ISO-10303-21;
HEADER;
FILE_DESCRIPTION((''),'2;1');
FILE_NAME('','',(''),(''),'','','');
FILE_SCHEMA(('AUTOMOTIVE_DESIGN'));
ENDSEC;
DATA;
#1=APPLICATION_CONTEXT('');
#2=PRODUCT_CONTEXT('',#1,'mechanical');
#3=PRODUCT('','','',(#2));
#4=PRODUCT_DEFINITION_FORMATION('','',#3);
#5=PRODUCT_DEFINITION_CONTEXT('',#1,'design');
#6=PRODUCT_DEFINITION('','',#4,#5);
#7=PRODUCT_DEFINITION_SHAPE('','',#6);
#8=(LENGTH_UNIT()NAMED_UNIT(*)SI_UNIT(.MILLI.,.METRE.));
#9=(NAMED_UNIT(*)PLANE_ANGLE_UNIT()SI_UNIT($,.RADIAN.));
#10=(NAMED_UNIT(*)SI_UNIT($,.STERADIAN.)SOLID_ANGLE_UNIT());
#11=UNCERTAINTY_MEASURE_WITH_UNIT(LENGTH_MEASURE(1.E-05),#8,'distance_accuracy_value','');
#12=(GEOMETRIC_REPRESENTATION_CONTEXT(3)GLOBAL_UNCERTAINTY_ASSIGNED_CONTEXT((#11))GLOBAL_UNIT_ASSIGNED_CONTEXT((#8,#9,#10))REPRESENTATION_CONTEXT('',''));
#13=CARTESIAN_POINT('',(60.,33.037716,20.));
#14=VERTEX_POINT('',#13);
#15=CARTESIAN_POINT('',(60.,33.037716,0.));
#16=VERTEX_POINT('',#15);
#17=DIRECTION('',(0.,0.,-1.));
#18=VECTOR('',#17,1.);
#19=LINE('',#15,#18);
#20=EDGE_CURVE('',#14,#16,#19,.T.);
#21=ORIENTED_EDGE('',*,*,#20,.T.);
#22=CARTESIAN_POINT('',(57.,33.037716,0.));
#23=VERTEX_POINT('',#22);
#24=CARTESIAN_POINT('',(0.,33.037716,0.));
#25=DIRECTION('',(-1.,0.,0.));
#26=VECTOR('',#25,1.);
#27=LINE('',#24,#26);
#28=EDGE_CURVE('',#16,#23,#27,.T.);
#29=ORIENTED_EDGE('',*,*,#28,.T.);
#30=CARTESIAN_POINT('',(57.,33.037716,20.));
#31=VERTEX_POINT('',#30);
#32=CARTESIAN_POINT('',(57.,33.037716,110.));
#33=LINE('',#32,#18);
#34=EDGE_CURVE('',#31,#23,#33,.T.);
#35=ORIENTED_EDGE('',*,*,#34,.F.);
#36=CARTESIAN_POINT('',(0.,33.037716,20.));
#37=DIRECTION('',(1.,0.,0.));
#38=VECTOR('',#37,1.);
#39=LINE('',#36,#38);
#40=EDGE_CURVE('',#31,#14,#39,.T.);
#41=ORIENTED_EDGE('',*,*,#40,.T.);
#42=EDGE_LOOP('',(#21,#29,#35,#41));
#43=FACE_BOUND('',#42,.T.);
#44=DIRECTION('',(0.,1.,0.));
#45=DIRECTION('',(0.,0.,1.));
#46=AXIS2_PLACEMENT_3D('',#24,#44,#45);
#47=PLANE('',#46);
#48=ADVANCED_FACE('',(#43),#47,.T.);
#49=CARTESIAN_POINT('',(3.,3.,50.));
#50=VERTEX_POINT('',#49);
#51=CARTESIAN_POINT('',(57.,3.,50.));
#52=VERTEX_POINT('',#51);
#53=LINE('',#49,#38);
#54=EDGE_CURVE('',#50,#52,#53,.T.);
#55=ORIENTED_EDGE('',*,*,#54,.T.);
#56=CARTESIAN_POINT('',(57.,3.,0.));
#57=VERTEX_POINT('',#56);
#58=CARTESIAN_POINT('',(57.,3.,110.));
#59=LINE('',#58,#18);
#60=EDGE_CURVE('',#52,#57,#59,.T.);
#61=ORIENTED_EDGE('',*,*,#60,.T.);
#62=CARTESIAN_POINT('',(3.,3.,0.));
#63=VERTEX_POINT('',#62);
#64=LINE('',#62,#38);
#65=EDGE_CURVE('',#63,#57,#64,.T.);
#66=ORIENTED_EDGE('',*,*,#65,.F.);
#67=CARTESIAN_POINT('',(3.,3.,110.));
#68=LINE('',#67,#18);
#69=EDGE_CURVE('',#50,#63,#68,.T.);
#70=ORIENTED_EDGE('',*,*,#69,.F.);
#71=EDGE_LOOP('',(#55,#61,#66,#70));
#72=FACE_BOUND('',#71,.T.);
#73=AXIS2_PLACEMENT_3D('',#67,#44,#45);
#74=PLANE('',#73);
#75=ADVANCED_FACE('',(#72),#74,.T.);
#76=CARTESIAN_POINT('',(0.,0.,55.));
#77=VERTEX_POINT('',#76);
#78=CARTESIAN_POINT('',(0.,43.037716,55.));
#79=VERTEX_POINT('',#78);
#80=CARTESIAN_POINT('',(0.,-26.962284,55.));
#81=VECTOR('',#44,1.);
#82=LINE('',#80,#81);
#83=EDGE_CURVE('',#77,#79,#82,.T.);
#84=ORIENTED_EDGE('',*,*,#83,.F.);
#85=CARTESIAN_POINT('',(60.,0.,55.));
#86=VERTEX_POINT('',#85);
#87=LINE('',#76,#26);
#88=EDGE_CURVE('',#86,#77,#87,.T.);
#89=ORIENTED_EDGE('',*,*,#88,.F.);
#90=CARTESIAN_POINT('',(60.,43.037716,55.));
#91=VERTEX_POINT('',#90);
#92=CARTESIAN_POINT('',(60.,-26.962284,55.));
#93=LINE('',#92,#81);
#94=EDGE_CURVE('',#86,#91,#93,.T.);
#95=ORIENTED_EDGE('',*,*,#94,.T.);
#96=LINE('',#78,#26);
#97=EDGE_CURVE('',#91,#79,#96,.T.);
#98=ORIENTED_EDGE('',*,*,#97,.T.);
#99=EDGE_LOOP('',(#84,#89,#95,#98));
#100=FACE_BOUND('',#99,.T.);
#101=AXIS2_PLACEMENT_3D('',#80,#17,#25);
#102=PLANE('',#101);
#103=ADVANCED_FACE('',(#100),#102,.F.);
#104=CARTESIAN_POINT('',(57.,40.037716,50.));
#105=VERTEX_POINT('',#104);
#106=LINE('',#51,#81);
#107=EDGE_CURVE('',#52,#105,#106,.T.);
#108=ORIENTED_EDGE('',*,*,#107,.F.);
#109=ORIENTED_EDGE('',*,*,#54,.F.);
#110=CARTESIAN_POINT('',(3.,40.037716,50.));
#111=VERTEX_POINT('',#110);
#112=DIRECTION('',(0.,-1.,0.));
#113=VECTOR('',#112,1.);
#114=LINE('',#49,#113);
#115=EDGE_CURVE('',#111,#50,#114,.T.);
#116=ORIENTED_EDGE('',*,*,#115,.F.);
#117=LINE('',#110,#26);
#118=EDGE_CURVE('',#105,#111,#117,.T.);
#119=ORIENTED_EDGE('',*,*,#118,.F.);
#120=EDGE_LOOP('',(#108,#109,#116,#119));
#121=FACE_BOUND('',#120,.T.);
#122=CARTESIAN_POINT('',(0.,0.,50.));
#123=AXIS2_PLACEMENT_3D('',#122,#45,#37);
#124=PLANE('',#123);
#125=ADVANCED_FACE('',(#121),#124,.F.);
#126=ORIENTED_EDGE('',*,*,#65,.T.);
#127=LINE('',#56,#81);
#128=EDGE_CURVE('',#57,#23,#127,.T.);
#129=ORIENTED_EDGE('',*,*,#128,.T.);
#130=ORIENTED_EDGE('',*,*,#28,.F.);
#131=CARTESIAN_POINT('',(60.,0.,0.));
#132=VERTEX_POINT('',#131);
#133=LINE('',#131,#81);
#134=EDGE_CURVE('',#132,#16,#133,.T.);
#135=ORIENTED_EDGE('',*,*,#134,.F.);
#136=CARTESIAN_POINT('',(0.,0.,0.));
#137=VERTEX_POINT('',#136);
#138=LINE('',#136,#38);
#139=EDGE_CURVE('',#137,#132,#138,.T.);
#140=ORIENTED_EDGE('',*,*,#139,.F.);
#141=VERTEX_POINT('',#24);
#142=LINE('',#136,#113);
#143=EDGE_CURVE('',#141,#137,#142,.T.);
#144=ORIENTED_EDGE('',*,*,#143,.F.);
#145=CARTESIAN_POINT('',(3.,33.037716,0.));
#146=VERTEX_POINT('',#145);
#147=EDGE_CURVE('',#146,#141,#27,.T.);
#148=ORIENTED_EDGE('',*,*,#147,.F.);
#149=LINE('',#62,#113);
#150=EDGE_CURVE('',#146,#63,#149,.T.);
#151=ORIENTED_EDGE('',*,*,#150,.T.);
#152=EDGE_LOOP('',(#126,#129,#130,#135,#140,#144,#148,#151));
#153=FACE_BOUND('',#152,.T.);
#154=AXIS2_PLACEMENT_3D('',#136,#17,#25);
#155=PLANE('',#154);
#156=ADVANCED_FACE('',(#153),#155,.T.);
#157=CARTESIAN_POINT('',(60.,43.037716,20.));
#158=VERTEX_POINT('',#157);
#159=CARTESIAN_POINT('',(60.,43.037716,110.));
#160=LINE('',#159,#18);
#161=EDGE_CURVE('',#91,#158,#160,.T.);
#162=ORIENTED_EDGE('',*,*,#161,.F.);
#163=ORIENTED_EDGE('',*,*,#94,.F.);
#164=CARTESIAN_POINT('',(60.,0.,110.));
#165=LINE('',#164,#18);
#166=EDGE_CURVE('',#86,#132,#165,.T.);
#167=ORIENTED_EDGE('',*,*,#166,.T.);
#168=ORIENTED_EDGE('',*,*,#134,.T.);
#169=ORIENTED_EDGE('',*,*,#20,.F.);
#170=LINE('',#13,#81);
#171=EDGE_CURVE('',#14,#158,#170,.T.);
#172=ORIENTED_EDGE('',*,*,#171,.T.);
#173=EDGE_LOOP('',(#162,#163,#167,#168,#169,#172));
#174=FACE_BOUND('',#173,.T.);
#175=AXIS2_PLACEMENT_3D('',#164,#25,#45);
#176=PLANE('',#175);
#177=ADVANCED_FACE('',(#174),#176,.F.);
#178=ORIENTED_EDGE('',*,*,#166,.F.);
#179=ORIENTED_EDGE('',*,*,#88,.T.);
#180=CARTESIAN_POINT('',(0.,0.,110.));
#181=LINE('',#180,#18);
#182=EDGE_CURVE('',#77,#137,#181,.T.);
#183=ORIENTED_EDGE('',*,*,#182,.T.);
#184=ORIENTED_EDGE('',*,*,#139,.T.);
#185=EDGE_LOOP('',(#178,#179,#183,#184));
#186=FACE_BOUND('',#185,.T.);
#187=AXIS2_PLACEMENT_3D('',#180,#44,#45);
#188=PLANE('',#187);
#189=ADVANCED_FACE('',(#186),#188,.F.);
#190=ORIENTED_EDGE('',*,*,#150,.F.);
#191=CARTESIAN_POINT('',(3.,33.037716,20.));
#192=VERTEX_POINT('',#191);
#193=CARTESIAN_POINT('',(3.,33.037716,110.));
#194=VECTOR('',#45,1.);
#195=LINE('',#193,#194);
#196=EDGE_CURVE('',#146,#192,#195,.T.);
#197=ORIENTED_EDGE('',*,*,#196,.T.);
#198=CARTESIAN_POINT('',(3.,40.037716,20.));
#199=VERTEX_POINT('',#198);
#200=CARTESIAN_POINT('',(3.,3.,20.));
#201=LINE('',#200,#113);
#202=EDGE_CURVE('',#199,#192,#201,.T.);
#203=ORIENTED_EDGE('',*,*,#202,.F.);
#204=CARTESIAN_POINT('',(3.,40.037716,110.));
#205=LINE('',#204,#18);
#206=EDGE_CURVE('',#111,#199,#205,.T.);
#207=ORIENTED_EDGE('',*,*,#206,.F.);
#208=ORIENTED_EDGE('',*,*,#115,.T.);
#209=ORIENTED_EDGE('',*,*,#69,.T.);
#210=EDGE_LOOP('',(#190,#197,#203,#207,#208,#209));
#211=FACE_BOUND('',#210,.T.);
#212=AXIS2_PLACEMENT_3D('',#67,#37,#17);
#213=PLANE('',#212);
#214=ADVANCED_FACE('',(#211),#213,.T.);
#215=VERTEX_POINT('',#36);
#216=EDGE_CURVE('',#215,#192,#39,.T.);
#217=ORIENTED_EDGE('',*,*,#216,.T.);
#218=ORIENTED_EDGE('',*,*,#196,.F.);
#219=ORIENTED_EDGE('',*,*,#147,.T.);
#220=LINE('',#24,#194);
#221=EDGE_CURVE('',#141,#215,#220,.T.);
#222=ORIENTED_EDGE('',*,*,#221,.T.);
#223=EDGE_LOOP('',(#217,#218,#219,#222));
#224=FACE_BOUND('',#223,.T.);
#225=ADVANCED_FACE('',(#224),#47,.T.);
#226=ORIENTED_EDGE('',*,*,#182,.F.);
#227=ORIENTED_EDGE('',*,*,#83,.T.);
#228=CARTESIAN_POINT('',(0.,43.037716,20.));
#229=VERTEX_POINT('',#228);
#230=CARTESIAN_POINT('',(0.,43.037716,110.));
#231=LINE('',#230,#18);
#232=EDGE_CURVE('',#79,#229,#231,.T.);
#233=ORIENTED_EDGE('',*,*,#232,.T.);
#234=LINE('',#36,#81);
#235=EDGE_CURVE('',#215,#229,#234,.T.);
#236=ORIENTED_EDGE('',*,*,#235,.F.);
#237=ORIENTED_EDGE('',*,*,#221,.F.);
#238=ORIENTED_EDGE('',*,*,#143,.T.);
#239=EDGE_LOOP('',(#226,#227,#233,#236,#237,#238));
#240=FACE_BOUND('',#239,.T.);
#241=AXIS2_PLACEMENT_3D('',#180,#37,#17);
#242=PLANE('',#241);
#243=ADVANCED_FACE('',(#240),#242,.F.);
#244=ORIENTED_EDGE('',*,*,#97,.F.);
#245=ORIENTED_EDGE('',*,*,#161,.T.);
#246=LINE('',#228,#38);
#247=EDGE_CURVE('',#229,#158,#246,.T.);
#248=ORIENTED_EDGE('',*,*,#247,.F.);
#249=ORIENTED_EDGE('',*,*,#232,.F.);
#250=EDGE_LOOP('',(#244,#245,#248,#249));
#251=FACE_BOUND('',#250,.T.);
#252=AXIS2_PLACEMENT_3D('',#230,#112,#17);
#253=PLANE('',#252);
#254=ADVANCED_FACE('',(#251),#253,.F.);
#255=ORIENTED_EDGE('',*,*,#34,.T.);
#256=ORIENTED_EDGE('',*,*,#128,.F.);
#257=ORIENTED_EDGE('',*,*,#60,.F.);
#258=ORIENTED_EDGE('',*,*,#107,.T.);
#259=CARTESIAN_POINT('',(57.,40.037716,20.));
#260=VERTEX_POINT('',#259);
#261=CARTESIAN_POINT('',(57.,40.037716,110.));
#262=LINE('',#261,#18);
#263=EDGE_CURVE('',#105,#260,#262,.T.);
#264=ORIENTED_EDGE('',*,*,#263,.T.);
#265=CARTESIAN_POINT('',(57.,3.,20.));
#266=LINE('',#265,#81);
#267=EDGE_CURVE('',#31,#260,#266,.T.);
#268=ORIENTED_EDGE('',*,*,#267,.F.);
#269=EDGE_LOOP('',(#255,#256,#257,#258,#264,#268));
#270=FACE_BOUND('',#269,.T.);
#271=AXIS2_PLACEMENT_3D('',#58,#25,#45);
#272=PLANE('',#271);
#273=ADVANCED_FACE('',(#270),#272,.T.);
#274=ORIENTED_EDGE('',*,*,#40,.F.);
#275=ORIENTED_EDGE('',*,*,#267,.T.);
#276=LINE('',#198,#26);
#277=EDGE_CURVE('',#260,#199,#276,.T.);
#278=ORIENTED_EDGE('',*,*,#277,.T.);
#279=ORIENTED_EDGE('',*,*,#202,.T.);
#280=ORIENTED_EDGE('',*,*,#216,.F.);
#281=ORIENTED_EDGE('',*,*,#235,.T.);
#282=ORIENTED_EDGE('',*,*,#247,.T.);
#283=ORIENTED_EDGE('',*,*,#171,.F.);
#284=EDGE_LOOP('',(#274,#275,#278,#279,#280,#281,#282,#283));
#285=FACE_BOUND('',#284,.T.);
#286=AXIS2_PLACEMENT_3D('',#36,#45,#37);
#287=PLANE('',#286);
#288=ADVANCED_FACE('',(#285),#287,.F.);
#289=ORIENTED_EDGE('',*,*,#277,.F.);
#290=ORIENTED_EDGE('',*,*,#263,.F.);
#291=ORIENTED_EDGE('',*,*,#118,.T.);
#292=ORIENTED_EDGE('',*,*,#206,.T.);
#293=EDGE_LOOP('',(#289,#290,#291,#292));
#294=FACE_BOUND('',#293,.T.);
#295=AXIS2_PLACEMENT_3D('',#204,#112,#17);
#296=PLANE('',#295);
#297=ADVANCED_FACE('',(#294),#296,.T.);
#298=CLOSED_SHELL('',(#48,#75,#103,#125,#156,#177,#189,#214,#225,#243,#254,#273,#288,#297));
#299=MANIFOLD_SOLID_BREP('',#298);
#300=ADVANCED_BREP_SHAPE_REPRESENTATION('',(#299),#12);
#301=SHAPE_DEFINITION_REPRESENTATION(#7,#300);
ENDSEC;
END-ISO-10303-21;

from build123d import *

# Parameters (mm, degrees)
IZIM1_W                     = 60
IZIM1_H                     = 43.037715622
IZIM1_W_2                   = 54
IZIM1_H_2                   = 37.037715622
Y_KSEKLIK_EKSTR_ZYON1_DEPTH = 110
IZIM2_W                     = 60
IZIM2_H                     = 20
KES_EKSTR_ZYON1_DEPTH       = 10
IZIM3_W                     = 60
IZIM3_H                     = 43.037715622
Y_KSEKLIK_EKSTR_ZYON2_DEPTH = 10
IZIM4_W                     = 60
IZIM4_H                     = 55
KES_EKSTR_ZYON2_DEPTH       = 70
IZIM5_W                     = 60
IZIM5_H                     = 43.037715622
Y_KSEKLIK_EKSTR_ZYON3_DEPTH = 5


with BuildPart() as part:
    # Çizim1 → Yükseklik-Ekstrüzyon1 (new body)
    with BuildSketch(Plane.XY):
        with Locations((30, 21.518857811)):
            Rectangle(IZIM1_W, IZIM1_H)
        with Locations((30, 21.518857811)):
            Rectangle(IZIM1_W_2, IZIM1_H_2, mode=Mode.SUBTRACT)
    extrude(amount=Y_KSEKLIK_EKSTR_ZYON1_DEPTH)

    # Çizim2 → Kes-Ekstrüzyon1 (cut)
    with BuildSketch(Plane(origin=(0, 43.037715622, 0), x_dir=(1, 0, 0), z_dir=(0, 1, 0))):
        with Locations((30, -10)):
            Rectangle(IZIM2_W, IZIM2_H)
    extrude(amount=-KES_EKSTR_ZYON1_DEPTH, mode=Mode.SUBTRACT)

    # Çizim3 → Yükseklik-Ekstrüzyon2 (add)
    with BuildSketch(Plane.XY.offset(110)):
        with Locations((30, 21.518857811)):
            Rectangle(IZIM3_W, IZIM3_H)
    extrude(amount=-Y_KSEKLIK_EKSTR_ZYON2_DEPTH)

    # Çizim4 → Kes-Ekstrüzyon2 (cut)
    with BuildSketch(Plane(origin=(0, 43.037715622, 0), x_dir=(1, 0, 0), z_dir=(0, 1, 0))):
        with Locations((30, -82.5)):
            Rectangle(IZIM4_W, IZIM4_H)
    extrude(amount=-KES_EKSTR_ZYON2_DEPTH, mode=Mode.SUBTRACT)

    # Çizim5 → Yükseklik-Ekstrüzyon3 (add)
    with BuildSketch(Plane.XY.offset(55)):
        with Locations((30, 21.518857811)):
            Rectangle(IZIM5_W, IZIM5_H)
    extrude(amount=-Y_KSEKLIK_EKSTR_ZYON3_DEPTH)


solid = part.part
